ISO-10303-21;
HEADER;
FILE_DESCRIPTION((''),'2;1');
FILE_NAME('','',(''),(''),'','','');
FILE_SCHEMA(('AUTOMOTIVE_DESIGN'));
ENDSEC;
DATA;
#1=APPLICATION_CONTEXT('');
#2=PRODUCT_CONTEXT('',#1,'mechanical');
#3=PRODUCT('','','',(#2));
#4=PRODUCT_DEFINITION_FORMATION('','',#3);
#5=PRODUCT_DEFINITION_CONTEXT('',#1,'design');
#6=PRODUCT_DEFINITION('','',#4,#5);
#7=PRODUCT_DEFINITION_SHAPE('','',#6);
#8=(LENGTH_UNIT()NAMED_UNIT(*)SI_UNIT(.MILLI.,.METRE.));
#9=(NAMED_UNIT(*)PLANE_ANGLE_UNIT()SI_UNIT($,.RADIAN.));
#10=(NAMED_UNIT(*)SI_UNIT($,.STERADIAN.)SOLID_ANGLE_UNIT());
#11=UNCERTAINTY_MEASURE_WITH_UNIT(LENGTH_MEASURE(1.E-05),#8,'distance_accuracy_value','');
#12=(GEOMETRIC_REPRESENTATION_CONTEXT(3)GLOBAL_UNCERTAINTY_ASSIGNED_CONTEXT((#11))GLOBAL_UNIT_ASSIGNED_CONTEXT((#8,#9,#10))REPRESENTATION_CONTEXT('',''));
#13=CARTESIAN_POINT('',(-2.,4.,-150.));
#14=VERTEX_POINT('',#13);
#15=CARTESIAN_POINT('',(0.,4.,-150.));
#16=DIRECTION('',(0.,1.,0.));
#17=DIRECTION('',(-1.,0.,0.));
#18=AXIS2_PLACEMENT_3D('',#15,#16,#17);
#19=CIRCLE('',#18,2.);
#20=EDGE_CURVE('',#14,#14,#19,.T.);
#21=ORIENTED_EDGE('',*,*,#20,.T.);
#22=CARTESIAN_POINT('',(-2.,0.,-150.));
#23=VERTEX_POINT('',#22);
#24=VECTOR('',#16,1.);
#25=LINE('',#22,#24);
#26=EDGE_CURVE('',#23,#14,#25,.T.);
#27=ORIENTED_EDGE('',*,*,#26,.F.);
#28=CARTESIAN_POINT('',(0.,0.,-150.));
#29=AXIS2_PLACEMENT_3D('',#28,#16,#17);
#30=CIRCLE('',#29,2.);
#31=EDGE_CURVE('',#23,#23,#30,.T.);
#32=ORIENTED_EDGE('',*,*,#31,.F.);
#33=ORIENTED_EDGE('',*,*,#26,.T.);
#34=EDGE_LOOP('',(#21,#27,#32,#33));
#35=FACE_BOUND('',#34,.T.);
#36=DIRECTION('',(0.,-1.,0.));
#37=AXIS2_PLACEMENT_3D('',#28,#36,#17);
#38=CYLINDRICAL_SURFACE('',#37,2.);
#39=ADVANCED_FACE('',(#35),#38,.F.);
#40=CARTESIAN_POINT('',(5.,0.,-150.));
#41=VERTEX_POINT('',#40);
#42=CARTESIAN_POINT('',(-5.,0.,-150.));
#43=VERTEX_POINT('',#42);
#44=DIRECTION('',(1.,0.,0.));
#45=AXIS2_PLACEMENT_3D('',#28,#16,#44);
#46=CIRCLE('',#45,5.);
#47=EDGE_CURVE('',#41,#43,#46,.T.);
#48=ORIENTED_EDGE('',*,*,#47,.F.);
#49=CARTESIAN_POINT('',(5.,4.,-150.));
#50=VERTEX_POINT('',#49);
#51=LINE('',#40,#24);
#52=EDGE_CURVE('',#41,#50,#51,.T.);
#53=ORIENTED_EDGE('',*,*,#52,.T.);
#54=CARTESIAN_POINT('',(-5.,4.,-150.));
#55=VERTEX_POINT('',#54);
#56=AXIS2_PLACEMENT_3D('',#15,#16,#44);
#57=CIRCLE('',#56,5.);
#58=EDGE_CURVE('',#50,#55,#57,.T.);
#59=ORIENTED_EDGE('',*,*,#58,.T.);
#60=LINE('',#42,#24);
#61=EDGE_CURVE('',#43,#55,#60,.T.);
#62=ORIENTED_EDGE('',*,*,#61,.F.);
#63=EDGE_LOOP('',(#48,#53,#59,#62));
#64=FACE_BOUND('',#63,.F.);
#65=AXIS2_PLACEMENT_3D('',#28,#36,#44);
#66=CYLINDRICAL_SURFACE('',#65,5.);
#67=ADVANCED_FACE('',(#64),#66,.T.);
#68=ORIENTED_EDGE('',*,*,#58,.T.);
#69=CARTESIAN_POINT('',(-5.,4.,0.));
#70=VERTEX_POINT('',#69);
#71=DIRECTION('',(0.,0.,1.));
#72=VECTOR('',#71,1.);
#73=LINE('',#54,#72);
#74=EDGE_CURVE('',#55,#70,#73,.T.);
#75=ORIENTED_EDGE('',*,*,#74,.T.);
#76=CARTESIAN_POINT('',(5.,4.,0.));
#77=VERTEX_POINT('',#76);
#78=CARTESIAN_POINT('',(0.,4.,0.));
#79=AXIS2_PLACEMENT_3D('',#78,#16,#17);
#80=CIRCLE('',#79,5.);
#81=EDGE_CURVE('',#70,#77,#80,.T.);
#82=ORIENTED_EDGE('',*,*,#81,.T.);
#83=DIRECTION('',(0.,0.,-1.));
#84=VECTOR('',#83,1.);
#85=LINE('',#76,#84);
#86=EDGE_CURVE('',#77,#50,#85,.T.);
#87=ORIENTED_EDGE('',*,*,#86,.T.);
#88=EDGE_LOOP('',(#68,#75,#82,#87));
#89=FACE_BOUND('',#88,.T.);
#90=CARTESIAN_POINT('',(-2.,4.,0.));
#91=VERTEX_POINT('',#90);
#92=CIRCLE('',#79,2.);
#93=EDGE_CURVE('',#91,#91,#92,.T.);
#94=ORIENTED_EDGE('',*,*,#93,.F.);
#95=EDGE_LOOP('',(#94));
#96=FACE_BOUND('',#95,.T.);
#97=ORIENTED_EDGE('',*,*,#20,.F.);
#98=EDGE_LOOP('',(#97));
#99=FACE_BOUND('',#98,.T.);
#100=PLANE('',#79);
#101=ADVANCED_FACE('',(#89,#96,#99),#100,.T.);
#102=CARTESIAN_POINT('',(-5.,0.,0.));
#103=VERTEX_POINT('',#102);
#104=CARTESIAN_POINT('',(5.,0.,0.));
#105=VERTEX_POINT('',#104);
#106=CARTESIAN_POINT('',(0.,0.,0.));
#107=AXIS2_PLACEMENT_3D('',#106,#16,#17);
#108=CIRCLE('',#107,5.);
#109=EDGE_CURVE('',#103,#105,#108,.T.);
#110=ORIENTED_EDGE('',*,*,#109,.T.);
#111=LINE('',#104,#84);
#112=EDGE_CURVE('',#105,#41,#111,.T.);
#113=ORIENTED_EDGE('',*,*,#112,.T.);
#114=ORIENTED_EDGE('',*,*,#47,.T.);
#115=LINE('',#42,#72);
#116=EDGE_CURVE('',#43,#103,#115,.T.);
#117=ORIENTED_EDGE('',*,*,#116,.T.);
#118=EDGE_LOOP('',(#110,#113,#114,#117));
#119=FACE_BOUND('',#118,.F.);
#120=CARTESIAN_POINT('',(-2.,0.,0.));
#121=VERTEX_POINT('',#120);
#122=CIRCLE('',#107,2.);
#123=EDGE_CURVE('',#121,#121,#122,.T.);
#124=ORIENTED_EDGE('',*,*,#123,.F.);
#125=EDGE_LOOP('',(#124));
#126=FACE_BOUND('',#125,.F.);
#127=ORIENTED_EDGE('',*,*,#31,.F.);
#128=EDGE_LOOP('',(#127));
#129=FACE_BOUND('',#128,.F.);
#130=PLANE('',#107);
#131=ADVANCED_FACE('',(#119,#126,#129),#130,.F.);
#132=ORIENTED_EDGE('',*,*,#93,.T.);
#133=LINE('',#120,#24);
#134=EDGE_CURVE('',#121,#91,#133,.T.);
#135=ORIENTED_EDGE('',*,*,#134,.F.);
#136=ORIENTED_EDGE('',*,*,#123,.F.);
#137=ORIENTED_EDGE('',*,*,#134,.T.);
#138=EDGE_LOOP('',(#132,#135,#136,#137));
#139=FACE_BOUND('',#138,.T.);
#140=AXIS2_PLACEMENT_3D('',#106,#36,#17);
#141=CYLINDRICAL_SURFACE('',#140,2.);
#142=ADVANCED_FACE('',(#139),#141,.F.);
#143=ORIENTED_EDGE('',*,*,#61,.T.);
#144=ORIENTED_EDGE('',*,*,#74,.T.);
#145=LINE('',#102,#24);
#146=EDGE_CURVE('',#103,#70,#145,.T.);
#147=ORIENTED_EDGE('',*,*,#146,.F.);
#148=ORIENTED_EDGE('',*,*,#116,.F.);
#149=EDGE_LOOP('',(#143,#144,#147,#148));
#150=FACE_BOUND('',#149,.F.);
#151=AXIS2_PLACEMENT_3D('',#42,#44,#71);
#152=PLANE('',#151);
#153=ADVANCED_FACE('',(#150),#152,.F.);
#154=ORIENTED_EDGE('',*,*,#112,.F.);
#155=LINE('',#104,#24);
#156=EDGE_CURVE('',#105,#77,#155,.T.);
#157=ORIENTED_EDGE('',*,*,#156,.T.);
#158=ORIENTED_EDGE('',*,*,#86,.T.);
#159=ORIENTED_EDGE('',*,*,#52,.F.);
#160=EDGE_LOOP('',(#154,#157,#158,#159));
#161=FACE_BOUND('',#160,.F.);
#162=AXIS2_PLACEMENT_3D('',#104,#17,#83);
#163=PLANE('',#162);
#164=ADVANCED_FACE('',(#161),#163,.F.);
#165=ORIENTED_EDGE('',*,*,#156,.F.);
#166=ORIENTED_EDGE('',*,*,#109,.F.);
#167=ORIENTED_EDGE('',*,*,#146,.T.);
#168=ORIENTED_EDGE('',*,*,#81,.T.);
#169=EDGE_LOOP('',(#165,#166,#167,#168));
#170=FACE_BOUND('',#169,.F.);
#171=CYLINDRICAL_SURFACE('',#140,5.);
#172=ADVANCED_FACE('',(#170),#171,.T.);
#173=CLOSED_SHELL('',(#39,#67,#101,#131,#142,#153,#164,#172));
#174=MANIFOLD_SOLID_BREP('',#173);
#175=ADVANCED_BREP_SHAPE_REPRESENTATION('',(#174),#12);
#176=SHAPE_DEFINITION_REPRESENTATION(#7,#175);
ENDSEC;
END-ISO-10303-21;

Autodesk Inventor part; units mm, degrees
ref_plane "XZ Plane" through (0, 0, 0) normal (0, 1, 0) x (-1, 0, 0)
ref_plane "XY Plane" through (0, 0, 0) normal (0, 0, 1) x (1, 0, 0)
sketch "Sketch1" plane through (0, 0, 0) normal (0, 1, 0) x (-1, 0, 0)
  line L0 (0, 0) -> (0, -150) construction
  line L1 (-5, 0) -> (-5, -150)
  line L2 (5, -150) -> (5, 0)
  arc A0 (5, 0) -> (-5, 0) centre (0, 0) ccw
  arc A1 (-5, -150) -> (5, -150) centre (0, -150) ccw
  circle A2 centre (0, 0) radius 2
  circle A3 centre (0, -150) radius 2
  point P0 (0, -75)
  dimension "d0" = 150
  dimension "d1" = 10
  dimension "d2" = 4
  dimension "d3" = 4
extrude "Extrusion1" add sketch "Sketch1" along normal blind 4
properties part number "Test_arm_1"
